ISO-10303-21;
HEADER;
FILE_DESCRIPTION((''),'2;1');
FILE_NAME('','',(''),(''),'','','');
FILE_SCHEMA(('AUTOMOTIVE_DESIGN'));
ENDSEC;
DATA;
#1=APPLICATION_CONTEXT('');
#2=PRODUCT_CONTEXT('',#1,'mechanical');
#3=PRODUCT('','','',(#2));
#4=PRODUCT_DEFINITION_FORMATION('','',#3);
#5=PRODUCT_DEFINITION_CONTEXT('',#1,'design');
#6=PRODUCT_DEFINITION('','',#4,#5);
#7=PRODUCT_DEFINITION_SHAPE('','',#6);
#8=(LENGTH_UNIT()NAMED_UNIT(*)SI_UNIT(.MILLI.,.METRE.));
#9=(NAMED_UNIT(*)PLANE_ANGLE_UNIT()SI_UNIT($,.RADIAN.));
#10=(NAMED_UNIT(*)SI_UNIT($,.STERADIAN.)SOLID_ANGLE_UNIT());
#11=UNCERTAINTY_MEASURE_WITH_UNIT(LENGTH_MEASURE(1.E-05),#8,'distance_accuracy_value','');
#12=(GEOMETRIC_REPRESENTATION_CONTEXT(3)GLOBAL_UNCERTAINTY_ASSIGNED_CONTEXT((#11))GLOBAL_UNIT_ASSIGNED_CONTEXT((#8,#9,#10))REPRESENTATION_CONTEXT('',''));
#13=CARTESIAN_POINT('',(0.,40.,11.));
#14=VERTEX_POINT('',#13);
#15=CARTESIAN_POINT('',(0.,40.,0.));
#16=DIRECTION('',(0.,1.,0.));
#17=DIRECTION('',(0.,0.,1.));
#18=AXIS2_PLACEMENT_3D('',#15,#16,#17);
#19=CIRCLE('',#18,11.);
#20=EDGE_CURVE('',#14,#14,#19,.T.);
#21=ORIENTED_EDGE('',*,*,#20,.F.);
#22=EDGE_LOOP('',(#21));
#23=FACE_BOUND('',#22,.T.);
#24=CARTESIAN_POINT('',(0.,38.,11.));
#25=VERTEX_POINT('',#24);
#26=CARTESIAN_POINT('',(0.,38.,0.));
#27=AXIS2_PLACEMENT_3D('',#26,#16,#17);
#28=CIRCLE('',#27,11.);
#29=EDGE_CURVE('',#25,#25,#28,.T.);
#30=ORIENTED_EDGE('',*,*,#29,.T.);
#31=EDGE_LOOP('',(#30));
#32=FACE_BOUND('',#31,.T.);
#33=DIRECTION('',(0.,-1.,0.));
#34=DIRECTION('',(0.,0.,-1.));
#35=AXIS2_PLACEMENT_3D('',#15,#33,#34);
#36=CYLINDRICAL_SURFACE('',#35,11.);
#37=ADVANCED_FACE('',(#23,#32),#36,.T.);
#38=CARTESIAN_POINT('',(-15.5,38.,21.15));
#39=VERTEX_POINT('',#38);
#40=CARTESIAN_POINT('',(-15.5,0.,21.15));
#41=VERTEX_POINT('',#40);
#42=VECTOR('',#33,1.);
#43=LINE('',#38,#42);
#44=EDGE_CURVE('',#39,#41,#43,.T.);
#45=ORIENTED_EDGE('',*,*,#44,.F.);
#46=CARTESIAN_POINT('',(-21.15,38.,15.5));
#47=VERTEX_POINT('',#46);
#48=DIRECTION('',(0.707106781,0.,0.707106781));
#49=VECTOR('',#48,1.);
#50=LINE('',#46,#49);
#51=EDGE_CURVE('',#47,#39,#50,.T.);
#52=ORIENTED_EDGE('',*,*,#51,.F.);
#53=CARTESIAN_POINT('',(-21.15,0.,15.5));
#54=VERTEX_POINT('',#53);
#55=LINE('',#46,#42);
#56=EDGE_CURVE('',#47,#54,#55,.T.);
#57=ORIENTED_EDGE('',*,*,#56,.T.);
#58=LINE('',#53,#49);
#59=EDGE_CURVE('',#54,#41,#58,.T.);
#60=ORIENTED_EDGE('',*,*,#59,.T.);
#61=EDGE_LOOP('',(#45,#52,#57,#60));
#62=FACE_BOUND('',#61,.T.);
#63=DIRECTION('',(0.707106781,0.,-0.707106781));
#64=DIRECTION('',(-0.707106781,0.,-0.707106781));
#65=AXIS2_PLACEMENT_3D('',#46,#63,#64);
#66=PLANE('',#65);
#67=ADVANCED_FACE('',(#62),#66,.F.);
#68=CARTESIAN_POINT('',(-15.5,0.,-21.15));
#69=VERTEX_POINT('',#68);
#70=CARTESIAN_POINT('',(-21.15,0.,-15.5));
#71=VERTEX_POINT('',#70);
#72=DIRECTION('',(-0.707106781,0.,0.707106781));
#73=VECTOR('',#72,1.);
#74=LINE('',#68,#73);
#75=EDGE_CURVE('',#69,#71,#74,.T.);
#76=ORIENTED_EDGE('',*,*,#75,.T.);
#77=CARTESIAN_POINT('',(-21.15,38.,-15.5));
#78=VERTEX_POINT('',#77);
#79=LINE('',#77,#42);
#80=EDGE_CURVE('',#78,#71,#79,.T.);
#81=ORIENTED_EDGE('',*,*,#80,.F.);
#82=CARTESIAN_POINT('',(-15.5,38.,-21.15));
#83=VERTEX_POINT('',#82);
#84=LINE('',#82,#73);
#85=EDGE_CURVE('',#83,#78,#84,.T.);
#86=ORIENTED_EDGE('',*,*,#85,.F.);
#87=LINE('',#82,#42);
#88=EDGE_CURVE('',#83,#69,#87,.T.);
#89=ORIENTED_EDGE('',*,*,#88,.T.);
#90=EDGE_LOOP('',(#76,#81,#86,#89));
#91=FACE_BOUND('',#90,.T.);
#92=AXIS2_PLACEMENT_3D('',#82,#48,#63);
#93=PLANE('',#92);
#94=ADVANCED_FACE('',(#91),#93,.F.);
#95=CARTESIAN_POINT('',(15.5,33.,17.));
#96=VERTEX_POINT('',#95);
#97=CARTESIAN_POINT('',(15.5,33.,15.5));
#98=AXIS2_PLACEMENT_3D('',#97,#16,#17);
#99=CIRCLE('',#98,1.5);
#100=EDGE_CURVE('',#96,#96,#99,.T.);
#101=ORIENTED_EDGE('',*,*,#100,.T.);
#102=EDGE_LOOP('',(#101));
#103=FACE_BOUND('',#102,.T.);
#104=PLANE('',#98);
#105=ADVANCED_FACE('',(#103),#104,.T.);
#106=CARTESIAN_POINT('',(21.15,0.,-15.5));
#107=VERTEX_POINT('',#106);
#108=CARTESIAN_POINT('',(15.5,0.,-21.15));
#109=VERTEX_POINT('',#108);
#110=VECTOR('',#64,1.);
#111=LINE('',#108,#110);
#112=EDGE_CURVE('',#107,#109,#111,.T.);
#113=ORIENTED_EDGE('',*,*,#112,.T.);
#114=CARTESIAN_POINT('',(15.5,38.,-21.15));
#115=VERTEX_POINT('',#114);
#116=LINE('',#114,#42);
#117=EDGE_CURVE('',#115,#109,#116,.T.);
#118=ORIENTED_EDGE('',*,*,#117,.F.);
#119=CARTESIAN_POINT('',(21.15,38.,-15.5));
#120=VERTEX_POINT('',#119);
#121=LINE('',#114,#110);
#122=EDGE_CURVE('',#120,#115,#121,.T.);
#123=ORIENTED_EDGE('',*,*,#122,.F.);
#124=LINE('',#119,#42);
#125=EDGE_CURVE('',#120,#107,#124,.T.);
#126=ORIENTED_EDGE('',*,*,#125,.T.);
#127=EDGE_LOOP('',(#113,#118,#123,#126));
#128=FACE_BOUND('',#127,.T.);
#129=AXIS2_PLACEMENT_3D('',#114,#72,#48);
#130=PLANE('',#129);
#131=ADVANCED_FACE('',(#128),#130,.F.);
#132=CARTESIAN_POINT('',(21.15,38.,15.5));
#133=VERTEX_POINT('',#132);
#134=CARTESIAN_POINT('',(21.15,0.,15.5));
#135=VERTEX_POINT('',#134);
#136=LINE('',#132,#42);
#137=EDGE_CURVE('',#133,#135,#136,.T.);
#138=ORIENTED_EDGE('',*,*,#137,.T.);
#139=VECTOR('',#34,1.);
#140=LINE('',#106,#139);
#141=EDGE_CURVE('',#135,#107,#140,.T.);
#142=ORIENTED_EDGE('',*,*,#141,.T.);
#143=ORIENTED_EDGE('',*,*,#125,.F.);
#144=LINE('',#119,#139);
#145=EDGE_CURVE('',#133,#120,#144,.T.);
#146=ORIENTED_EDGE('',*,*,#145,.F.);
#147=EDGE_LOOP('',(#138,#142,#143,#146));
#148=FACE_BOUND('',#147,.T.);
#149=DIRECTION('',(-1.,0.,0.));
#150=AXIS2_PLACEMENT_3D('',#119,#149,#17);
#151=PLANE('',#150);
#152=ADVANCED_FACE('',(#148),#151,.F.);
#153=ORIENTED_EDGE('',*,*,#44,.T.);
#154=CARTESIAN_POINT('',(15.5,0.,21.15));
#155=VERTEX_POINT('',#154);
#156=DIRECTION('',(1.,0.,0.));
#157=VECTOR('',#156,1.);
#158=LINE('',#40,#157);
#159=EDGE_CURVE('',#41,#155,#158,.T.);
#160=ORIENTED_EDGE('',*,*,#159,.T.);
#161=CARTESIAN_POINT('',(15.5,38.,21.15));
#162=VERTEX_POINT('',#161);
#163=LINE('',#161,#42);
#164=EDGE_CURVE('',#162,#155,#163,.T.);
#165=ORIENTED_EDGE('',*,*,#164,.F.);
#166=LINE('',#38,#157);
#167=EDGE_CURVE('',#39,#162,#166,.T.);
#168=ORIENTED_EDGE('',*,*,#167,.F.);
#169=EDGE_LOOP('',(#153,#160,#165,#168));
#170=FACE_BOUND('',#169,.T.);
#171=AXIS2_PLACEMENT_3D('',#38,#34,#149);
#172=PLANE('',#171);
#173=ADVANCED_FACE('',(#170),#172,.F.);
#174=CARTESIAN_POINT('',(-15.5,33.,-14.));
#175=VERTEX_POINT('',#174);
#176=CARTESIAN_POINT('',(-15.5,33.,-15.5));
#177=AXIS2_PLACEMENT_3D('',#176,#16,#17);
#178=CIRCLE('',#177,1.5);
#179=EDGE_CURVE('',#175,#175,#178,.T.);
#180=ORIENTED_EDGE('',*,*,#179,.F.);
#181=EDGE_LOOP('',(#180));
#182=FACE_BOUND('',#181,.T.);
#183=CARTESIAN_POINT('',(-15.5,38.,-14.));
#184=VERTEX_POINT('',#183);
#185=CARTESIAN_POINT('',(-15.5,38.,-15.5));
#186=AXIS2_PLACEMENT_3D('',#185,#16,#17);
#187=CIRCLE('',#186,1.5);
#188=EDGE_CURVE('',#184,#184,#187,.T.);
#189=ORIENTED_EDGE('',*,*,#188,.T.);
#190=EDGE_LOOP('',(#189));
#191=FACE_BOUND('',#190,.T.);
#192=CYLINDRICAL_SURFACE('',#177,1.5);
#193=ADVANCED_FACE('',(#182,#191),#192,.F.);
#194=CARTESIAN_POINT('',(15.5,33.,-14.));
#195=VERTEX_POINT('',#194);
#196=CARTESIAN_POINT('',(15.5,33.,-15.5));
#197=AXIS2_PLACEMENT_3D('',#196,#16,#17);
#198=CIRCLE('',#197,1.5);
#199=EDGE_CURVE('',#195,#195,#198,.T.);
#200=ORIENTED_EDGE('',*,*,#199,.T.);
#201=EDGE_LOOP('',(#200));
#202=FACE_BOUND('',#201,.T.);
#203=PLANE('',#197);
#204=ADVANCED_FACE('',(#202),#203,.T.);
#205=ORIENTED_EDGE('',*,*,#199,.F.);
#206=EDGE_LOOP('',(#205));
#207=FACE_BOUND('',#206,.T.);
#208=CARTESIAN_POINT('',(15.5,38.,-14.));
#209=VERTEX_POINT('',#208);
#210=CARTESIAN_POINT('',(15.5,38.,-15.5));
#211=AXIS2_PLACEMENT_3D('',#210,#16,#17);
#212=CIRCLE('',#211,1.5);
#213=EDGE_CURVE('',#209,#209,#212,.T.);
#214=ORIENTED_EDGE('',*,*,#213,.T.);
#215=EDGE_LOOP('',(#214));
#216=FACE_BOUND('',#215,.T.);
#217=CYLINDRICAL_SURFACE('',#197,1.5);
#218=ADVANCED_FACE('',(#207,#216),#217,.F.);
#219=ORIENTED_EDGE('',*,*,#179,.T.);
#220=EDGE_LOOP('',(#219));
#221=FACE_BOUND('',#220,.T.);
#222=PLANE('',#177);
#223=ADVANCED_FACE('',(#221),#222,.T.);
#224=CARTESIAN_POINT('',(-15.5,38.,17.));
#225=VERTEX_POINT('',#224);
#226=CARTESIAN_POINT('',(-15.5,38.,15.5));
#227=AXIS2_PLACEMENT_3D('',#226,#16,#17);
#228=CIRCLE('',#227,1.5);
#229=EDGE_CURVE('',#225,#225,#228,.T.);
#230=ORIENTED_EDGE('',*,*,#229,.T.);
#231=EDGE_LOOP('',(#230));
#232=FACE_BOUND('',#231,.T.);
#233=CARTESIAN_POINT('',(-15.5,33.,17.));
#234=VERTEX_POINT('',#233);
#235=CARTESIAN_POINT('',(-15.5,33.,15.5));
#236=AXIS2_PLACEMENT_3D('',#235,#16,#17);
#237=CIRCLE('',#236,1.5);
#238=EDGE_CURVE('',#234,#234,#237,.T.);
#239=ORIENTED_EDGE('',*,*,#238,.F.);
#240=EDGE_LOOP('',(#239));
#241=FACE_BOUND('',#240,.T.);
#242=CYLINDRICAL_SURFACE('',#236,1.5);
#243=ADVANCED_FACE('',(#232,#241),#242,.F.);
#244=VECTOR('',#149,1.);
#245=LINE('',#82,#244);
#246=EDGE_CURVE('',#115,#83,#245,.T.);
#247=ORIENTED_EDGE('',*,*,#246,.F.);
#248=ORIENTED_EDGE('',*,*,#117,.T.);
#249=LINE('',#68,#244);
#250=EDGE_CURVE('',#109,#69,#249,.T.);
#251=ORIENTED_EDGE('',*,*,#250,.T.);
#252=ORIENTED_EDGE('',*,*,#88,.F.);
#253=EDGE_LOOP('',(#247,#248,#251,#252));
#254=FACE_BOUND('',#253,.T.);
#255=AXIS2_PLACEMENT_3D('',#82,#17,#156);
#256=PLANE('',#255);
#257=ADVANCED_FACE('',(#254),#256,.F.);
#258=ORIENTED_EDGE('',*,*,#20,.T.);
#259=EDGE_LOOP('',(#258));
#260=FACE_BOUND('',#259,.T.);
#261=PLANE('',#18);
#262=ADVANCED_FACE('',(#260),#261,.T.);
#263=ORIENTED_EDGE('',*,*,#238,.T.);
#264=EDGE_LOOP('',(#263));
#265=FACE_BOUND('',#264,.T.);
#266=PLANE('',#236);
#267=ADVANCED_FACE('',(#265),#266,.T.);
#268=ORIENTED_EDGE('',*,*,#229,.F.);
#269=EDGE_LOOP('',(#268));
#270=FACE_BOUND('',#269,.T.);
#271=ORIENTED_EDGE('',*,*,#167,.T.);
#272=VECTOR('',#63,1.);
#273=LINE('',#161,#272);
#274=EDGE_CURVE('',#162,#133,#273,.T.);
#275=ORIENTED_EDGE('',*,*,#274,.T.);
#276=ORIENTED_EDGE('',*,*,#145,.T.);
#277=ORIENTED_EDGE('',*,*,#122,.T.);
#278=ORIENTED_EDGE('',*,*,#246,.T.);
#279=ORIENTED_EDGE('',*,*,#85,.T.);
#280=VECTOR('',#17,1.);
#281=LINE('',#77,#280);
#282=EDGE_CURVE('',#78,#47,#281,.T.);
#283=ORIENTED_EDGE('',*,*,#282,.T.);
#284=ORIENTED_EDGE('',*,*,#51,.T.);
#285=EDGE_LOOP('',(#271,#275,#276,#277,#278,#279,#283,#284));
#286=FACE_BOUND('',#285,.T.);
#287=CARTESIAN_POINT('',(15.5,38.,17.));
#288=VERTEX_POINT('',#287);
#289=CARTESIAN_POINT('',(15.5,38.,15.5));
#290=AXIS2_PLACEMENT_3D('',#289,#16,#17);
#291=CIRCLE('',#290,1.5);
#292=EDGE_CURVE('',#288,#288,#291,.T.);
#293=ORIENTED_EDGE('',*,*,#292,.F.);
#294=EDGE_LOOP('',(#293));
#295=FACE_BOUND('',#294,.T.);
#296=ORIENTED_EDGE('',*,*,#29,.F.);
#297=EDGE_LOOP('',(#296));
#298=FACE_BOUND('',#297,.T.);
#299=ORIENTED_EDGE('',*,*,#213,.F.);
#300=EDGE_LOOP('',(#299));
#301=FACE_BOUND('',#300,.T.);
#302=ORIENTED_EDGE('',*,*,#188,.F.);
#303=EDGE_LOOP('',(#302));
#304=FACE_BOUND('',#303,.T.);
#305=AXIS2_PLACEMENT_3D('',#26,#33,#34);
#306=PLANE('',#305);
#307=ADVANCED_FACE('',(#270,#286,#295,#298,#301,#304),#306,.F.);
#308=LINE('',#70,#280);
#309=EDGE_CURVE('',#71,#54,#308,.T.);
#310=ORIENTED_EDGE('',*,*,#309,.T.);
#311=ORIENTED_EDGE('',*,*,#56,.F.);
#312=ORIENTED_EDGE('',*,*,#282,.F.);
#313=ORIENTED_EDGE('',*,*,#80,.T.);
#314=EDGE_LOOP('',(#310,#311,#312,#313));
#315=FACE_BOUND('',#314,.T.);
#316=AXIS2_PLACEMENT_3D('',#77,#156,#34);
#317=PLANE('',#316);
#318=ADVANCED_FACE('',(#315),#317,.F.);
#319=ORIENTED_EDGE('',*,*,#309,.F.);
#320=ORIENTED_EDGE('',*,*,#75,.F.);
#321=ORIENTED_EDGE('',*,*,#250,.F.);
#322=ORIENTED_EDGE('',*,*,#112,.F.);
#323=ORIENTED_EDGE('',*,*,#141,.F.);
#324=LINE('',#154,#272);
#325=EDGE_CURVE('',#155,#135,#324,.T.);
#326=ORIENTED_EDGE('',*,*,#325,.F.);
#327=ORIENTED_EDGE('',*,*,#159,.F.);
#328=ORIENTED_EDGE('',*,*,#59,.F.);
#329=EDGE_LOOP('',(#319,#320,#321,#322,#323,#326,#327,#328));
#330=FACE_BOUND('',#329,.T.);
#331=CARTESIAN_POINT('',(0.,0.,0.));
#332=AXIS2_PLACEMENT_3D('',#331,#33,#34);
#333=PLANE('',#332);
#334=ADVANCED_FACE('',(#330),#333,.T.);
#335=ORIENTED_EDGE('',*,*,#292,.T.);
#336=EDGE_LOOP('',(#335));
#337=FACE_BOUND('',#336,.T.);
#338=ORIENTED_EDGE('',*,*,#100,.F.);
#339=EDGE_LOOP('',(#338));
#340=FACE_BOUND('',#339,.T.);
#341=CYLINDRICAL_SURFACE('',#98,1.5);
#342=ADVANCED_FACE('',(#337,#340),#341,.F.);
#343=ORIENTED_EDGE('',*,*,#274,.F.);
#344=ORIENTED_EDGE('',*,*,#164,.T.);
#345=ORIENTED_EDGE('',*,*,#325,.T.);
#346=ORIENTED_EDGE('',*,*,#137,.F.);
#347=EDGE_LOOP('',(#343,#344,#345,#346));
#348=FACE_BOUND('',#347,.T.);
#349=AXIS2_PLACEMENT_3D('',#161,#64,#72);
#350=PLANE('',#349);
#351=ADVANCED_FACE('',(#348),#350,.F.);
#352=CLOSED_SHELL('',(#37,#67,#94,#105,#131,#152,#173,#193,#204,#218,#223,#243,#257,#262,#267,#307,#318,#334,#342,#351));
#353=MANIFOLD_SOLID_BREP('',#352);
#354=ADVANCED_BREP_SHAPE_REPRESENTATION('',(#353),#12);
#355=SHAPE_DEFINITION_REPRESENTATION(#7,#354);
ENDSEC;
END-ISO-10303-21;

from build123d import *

# Parameters (mm, degrees)
EXTRUDE_1_DEPTH     = 38
SKETCH_3_R          = 11
EXTRUDE_2_DEPTH     = 2
SKETCH_15_R         = 1.5
CUT_EXTRUDE_1_DEPTH = 5


with BuildPart() as part:
    # 草图2 → 凸台-拉伸1 (new body)
    with BuildSketch(Plane(origin=(0, 0, 0), x_dir=(1, 0, 0), z_dir=(0, 1, 0))):
        Polygon((-15.5, 21.15), (-21.15, 15.5), (-21.15, -15.5), (-15.5, -21.15), (15.5, -21.15), (21.15, -15.5), (21.15, 15.5), (15.5, 21.15), align=None)
    extrude(amount=EXTRUDE_1_DEPTH)

    # 草图3 → 凸台-拉伸2 (add)
    with BuildSketch(Plane(origin=(0, 38, 0), x_dir=(1, 0, 0), z_dir=(0, 1, 0))):
        Circle(SKETCH_3_R)
    extrude(amount=EXTRUDE_2_DEPTH)

    # 草图15 → 切除-拉伸1 (cut)
    with BuildSketch(Plane(origin=(0, 38, 0), x_dir=(1, 0, 0), z_dir=(0, 1, 0))):
        with Locations((-15.5, 15.5)):
            Circle(SKETCH_15_R)
        with Locations((15.5, 15.5)):
            Circle(SKETCH_15_R)
        with Locations((15.5, -15.5)):
            Circle(SKETCH_15_R)
        with Locations((-15.5, -15.5)):
            Circle(SKETCH_15_R)
    extrude(amount=-CUT_EXTRUDE_1_DEPTH, mode=Mode.SUBTRACT)


solid = part.part
